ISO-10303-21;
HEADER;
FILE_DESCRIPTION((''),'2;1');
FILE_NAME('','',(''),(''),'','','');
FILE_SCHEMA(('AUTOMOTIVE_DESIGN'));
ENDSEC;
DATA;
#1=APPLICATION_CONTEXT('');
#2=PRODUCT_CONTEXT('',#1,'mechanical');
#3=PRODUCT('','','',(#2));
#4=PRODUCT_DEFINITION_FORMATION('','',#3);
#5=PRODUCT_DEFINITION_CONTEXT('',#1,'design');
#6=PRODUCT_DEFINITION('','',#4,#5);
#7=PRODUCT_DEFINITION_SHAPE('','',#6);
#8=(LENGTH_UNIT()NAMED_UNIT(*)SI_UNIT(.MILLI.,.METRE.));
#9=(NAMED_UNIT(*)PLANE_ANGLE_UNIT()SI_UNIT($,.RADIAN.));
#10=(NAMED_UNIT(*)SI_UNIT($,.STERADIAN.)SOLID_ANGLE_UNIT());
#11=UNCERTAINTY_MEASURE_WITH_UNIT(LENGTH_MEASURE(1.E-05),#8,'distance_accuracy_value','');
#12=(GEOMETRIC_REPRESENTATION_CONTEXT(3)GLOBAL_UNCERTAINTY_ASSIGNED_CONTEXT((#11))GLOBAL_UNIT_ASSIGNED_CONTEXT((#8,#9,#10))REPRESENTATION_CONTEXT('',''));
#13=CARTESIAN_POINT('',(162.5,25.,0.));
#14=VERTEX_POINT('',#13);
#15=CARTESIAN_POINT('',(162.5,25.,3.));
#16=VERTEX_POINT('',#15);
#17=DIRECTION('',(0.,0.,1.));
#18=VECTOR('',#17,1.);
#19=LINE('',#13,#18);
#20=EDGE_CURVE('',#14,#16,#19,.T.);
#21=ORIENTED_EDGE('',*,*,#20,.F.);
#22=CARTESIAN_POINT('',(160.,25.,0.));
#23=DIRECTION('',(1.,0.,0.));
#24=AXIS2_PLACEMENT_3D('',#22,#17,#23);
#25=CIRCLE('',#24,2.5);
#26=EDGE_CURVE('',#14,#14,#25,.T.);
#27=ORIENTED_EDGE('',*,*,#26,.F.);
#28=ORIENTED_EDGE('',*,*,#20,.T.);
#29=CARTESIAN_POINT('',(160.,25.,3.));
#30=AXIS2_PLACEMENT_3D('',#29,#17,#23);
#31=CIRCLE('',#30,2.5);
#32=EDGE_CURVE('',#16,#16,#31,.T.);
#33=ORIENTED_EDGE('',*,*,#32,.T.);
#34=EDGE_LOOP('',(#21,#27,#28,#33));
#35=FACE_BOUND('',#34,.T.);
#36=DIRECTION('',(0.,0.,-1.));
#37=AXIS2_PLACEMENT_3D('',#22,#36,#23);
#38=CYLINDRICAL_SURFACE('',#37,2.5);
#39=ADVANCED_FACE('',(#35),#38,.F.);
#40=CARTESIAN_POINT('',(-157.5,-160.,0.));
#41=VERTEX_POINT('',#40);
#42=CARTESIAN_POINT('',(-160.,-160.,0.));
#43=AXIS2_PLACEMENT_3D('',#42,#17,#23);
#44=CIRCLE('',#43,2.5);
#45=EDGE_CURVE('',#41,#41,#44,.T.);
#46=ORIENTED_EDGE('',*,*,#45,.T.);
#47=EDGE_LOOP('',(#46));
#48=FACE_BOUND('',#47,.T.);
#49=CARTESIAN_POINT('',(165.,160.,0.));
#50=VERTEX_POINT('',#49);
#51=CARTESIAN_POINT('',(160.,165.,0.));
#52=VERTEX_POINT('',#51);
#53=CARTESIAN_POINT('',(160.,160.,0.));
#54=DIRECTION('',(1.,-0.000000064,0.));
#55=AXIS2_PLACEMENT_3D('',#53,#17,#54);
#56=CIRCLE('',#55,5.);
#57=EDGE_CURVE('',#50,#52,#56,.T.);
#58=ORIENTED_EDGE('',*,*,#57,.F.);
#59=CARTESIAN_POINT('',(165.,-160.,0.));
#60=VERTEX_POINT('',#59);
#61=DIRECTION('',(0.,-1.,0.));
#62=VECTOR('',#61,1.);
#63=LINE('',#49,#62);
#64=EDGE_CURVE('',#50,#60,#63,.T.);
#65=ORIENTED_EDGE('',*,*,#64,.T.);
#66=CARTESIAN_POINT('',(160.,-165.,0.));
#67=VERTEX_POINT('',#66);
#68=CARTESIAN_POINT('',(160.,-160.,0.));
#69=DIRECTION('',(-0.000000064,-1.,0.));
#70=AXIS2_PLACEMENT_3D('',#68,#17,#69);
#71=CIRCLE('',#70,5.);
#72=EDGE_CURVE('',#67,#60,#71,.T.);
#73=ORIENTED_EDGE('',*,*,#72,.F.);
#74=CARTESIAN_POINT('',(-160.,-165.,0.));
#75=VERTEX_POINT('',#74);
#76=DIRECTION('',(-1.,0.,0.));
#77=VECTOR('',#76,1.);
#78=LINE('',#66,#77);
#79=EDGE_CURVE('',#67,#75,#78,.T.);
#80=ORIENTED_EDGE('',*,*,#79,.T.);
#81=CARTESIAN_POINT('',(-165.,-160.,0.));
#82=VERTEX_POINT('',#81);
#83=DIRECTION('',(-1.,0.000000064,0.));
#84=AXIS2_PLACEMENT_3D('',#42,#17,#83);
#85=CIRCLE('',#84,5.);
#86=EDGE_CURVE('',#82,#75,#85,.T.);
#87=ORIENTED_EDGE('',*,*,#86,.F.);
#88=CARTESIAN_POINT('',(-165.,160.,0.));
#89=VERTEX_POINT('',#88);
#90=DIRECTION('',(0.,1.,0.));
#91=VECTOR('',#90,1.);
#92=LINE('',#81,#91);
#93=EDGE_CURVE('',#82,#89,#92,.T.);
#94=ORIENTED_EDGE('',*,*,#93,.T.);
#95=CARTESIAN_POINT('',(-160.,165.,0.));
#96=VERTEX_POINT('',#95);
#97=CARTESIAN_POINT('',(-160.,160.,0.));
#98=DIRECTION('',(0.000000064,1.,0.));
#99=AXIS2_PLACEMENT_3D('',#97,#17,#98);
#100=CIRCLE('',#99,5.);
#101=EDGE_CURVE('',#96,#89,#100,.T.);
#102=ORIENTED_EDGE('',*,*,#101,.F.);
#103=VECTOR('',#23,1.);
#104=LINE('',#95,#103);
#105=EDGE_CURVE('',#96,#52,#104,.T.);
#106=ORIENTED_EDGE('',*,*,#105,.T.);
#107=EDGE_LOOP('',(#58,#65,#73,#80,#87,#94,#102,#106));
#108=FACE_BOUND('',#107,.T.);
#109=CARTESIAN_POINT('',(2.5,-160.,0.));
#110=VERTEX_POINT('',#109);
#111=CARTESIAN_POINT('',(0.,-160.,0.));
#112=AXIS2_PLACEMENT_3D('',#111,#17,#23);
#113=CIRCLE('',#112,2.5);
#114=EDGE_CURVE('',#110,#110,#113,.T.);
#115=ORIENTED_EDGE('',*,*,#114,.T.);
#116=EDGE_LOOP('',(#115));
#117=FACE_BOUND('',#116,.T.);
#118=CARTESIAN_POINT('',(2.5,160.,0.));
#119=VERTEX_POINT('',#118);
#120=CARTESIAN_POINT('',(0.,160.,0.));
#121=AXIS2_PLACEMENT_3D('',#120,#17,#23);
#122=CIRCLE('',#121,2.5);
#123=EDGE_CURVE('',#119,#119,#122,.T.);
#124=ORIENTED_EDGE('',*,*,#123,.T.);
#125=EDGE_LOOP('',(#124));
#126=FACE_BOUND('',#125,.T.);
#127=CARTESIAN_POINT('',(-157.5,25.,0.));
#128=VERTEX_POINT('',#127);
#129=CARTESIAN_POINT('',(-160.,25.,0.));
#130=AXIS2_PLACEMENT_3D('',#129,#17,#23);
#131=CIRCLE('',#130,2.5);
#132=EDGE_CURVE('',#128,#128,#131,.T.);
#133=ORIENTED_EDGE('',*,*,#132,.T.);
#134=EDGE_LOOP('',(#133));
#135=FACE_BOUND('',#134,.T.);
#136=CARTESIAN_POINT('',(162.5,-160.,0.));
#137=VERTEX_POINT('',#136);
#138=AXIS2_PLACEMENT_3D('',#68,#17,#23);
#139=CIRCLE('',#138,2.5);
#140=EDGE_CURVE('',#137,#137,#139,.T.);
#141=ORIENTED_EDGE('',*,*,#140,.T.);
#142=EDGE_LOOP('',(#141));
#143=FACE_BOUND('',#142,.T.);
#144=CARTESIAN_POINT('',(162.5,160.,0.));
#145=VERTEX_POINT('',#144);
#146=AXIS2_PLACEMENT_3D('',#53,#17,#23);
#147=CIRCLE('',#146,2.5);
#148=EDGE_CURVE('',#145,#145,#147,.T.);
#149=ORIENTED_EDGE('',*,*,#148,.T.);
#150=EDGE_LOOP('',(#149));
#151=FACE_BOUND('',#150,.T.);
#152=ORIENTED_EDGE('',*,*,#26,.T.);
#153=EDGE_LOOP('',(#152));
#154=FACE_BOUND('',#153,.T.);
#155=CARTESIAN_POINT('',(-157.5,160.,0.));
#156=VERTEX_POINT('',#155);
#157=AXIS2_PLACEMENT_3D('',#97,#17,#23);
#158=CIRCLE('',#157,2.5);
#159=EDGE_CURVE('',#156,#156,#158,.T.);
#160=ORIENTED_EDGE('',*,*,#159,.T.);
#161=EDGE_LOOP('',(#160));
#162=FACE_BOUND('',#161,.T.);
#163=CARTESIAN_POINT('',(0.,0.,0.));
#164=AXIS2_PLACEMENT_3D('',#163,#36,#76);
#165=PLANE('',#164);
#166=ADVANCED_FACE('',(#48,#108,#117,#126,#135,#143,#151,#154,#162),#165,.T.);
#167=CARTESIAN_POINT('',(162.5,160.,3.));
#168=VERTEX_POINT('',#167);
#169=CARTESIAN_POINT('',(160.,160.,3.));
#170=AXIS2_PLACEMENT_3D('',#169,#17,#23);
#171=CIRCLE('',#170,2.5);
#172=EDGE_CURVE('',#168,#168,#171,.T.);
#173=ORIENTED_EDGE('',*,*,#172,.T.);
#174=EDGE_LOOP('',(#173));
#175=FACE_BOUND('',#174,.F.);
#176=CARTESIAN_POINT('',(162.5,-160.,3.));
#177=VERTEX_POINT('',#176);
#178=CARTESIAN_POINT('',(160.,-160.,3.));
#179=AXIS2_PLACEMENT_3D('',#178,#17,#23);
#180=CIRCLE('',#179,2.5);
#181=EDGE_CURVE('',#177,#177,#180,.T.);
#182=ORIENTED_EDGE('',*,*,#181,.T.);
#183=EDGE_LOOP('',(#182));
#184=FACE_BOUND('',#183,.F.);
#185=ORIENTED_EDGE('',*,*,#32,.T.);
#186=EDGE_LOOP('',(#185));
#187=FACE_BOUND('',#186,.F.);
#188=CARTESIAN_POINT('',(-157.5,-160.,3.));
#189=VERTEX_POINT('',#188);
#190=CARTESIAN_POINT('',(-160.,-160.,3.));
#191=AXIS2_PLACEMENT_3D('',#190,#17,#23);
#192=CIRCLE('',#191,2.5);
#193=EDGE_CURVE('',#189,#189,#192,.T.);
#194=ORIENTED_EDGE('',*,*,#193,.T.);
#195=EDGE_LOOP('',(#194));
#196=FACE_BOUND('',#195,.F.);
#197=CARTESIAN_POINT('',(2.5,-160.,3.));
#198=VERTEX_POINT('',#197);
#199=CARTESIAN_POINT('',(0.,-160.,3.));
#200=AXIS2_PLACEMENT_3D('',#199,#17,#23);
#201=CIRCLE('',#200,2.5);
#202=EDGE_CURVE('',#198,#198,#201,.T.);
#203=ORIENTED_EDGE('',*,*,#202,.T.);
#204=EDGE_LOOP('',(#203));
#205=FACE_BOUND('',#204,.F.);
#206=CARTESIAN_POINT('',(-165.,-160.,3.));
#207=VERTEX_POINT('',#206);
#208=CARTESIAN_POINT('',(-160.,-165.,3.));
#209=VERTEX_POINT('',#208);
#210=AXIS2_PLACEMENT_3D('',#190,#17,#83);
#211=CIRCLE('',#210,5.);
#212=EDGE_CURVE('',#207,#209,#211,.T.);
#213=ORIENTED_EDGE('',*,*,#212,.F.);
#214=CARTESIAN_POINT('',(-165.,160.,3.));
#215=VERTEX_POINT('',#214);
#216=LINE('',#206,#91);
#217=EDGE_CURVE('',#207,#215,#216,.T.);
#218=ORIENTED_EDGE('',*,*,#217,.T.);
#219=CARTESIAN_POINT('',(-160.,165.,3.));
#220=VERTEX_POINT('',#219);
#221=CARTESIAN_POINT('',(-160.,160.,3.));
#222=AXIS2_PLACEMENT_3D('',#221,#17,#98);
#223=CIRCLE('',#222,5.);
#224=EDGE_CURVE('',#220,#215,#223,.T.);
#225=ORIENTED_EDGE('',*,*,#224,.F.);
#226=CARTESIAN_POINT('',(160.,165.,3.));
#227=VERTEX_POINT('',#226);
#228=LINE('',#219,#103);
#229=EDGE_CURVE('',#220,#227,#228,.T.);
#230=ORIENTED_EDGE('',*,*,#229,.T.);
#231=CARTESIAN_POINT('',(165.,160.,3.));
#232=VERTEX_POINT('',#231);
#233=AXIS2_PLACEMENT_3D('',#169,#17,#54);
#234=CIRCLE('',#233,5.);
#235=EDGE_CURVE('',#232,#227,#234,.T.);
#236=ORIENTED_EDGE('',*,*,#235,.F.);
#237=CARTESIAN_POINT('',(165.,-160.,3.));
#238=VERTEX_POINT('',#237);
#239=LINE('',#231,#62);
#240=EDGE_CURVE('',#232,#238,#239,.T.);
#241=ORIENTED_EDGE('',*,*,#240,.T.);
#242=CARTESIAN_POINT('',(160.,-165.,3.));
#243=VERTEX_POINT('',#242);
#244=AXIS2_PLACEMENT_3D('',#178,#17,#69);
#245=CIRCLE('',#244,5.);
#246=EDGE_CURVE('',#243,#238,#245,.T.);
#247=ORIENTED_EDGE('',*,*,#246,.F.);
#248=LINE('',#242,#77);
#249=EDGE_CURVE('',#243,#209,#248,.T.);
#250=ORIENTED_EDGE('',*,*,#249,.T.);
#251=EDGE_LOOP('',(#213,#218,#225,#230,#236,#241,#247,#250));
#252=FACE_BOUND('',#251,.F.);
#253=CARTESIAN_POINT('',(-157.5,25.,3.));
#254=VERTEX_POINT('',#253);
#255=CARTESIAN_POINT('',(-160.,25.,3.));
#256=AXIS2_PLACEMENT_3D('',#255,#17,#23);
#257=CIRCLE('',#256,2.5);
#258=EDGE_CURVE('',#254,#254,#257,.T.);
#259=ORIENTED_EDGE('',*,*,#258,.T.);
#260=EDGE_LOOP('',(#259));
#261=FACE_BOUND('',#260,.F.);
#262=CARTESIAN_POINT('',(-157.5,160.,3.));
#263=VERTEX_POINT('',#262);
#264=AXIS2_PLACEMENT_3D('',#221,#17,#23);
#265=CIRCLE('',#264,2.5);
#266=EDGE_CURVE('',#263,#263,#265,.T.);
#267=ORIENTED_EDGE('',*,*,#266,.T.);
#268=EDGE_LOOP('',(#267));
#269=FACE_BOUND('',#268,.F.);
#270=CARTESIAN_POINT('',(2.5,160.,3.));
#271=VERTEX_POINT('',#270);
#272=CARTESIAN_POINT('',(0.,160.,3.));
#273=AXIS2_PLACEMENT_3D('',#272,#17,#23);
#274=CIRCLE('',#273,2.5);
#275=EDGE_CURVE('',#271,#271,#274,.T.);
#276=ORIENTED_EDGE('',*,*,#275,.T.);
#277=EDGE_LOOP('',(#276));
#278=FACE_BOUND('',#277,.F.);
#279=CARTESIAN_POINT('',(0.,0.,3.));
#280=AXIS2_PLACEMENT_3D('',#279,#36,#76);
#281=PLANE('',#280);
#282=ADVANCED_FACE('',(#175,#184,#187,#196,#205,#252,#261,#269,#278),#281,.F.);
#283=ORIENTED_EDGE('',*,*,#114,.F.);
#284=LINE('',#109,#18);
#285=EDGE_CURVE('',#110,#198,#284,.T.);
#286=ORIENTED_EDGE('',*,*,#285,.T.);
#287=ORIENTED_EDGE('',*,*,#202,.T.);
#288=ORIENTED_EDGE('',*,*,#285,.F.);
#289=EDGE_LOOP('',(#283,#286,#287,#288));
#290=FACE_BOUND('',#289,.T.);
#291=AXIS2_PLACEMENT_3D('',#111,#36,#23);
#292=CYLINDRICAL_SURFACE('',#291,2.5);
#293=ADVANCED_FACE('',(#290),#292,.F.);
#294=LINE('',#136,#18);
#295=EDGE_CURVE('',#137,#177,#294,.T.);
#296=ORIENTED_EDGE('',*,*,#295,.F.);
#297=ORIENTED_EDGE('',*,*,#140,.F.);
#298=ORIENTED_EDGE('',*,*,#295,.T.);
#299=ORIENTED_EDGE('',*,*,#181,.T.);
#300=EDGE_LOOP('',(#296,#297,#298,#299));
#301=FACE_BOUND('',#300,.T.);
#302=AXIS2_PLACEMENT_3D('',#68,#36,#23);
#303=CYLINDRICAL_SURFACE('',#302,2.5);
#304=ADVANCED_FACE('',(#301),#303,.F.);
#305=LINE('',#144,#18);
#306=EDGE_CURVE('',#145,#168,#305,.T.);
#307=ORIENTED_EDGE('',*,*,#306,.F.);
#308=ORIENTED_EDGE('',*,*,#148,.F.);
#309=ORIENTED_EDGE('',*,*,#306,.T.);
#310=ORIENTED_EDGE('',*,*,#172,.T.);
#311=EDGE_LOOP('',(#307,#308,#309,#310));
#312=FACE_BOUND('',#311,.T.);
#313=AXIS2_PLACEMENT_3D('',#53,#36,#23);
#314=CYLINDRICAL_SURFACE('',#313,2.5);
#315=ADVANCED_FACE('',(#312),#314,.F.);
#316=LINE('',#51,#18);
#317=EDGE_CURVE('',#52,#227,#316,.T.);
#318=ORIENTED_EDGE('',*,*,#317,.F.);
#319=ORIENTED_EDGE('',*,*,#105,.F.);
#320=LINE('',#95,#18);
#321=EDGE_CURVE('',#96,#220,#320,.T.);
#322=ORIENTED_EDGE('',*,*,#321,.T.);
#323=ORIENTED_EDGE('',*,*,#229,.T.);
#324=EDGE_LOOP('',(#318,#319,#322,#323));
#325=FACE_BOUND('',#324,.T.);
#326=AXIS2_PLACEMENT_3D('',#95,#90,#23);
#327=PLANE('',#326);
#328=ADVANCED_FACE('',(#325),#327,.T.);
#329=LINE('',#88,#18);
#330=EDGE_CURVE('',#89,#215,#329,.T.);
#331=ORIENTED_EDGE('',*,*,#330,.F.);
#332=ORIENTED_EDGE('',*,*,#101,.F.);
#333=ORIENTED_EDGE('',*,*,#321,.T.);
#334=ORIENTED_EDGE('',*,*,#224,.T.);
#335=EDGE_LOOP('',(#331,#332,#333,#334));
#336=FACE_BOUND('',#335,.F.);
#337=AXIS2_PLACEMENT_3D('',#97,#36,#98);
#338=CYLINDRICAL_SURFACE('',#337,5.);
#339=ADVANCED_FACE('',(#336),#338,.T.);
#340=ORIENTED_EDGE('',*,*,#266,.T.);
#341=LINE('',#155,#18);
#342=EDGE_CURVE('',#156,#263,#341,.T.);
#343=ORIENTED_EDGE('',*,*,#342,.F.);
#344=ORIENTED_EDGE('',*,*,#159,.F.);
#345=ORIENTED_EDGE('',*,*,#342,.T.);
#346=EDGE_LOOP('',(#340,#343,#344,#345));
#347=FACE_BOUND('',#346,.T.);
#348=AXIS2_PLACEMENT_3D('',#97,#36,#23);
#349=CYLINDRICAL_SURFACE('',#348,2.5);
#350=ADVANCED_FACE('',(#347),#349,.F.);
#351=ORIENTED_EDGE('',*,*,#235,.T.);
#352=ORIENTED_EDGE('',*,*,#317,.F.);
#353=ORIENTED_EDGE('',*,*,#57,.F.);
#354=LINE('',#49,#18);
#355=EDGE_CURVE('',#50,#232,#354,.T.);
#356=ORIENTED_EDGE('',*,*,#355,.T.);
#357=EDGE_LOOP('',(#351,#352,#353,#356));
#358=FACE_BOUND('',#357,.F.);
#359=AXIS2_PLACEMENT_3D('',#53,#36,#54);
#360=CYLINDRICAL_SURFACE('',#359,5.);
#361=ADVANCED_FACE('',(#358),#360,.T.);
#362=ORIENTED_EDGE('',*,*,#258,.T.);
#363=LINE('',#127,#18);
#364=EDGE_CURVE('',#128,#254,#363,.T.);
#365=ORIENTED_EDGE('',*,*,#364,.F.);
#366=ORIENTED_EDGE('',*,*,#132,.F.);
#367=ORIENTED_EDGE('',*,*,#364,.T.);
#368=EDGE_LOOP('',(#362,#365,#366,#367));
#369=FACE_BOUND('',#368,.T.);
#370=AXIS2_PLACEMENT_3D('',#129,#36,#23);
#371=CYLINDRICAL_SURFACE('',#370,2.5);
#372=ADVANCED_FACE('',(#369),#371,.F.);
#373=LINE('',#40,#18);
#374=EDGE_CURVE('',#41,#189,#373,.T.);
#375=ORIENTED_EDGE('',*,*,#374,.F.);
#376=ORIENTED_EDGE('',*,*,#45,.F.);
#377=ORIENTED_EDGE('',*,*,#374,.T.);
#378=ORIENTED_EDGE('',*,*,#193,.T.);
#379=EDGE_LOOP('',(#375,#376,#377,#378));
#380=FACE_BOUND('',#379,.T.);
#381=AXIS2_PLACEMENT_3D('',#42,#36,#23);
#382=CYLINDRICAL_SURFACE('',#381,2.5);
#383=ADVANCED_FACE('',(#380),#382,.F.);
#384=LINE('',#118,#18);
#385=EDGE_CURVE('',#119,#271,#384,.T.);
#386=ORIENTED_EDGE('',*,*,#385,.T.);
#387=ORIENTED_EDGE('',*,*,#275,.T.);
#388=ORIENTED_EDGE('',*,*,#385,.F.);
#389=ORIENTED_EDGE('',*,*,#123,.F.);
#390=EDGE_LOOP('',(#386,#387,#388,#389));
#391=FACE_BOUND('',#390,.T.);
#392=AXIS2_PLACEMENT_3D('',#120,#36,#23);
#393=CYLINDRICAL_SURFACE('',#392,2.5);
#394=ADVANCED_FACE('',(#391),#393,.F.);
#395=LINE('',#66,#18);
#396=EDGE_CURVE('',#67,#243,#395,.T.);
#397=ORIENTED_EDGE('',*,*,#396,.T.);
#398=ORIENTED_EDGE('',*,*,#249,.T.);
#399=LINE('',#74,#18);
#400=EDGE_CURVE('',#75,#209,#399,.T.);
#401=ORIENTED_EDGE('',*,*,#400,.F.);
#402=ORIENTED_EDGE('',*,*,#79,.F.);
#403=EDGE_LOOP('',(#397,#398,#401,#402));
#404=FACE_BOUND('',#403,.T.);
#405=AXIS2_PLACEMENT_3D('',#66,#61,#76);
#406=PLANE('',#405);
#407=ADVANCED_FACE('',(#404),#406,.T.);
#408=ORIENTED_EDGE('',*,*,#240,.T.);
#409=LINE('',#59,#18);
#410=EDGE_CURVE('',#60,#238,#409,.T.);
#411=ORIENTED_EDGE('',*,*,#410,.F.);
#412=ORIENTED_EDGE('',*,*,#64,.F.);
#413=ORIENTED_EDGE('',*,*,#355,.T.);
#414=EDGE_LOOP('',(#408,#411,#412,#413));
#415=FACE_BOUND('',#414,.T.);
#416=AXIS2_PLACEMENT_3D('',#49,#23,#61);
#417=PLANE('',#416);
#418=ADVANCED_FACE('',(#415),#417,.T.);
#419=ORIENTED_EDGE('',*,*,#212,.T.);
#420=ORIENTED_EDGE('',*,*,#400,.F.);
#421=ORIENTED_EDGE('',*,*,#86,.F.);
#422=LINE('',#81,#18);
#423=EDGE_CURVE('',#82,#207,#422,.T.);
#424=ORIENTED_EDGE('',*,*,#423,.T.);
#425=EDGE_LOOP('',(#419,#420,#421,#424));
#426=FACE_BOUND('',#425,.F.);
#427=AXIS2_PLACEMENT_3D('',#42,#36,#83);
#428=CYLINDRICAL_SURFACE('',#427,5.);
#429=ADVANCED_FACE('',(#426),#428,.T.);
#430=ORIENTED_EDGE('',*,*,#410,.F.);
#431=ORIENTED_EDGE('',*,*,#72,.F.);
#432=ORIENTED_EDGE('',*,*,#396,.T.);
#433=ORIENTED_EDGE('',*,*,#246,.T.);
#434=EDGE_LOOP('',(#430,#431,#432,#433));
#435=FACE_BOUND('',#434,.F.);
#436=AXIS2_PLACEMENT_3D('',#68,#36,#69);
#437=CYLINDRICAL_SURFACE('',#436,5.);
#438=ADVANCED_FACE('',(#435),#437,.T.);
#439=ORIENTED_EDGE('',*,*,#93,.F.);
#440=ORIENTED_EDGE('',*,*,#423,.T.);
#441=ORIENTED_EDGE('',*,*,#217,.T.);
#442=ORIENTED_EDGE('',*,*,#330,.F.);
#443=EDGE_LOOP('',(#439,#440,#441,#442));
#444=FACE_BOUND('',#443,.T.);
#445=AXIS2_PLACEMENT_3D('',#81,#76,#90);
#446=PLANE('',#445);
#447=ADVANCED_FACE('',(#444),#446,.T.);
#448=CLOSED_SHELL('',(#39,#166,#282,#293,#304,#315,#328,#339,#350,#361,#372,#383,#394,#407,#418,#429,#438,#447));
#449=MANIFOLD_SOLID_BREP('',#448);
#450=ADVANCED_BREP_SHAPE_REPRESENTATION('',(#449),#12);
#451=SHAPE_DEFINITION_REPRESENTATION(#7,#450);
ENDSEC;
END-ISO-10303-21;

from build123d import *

# Parameters (mm, degrees)
SKETCH_R  = 2.5
PAD_DEPTH = 3


with BuildPart() as part:
    # Sketch → Pad (new body)
    with BuildSketch(Plane.XY):
        with BuildLine():
            Line((-160, 165), (160, 165))
            ThreePointArc((165, 160), (163.535534, 163.535534), (160, 165))
            Line((165, 160), (165, -160))
            ThreePointArc((160, -165), (163.535534, -163.535534), (165, -160))
            Line((160, -165), (-160, -165))
            ThreePointArc((-165, -160), (-163.535534, -163.535534), (-160, -165))
            Line((-165, -160), (-165, 160))
            ThreePointArc((-160, 165), (-163.535534, 163.535534), (-165, 160))
        make_face()
        with Locations((-160, 160)):
            Circle(SKETCH_R, mode=Mode.SUBTRACT)
        with Locations((160, 160)):
            Circle(SKETCH_R, mode=Mode.SUBTRACT)
        with Locations((-160, -160)):
            Circle(SKETCH_R, mode=Mode.SUBTRACT)
        with Locations((160, -160)):
            Circle(SKETCH_R, mode=Mode.SUBTRACT)
        with Locations((0, -160)):
            Circle(SKETCH_R, mode=Mode.SUBTRACT)
        with Locations((0, 160)):
            Circle(SKETCH_R, mode=Mode.SUBTRACT)
        with Locations((-160, 25)):
            Circle(SKETCH_R, mode=Mode.SUBTRACT)
        with Locations((160, 25)):
            Circle(SKETCH_R, mode=Mode.SUBTRACT)
    extrude(amount=PAD_DEPTH)


solid = part.part
